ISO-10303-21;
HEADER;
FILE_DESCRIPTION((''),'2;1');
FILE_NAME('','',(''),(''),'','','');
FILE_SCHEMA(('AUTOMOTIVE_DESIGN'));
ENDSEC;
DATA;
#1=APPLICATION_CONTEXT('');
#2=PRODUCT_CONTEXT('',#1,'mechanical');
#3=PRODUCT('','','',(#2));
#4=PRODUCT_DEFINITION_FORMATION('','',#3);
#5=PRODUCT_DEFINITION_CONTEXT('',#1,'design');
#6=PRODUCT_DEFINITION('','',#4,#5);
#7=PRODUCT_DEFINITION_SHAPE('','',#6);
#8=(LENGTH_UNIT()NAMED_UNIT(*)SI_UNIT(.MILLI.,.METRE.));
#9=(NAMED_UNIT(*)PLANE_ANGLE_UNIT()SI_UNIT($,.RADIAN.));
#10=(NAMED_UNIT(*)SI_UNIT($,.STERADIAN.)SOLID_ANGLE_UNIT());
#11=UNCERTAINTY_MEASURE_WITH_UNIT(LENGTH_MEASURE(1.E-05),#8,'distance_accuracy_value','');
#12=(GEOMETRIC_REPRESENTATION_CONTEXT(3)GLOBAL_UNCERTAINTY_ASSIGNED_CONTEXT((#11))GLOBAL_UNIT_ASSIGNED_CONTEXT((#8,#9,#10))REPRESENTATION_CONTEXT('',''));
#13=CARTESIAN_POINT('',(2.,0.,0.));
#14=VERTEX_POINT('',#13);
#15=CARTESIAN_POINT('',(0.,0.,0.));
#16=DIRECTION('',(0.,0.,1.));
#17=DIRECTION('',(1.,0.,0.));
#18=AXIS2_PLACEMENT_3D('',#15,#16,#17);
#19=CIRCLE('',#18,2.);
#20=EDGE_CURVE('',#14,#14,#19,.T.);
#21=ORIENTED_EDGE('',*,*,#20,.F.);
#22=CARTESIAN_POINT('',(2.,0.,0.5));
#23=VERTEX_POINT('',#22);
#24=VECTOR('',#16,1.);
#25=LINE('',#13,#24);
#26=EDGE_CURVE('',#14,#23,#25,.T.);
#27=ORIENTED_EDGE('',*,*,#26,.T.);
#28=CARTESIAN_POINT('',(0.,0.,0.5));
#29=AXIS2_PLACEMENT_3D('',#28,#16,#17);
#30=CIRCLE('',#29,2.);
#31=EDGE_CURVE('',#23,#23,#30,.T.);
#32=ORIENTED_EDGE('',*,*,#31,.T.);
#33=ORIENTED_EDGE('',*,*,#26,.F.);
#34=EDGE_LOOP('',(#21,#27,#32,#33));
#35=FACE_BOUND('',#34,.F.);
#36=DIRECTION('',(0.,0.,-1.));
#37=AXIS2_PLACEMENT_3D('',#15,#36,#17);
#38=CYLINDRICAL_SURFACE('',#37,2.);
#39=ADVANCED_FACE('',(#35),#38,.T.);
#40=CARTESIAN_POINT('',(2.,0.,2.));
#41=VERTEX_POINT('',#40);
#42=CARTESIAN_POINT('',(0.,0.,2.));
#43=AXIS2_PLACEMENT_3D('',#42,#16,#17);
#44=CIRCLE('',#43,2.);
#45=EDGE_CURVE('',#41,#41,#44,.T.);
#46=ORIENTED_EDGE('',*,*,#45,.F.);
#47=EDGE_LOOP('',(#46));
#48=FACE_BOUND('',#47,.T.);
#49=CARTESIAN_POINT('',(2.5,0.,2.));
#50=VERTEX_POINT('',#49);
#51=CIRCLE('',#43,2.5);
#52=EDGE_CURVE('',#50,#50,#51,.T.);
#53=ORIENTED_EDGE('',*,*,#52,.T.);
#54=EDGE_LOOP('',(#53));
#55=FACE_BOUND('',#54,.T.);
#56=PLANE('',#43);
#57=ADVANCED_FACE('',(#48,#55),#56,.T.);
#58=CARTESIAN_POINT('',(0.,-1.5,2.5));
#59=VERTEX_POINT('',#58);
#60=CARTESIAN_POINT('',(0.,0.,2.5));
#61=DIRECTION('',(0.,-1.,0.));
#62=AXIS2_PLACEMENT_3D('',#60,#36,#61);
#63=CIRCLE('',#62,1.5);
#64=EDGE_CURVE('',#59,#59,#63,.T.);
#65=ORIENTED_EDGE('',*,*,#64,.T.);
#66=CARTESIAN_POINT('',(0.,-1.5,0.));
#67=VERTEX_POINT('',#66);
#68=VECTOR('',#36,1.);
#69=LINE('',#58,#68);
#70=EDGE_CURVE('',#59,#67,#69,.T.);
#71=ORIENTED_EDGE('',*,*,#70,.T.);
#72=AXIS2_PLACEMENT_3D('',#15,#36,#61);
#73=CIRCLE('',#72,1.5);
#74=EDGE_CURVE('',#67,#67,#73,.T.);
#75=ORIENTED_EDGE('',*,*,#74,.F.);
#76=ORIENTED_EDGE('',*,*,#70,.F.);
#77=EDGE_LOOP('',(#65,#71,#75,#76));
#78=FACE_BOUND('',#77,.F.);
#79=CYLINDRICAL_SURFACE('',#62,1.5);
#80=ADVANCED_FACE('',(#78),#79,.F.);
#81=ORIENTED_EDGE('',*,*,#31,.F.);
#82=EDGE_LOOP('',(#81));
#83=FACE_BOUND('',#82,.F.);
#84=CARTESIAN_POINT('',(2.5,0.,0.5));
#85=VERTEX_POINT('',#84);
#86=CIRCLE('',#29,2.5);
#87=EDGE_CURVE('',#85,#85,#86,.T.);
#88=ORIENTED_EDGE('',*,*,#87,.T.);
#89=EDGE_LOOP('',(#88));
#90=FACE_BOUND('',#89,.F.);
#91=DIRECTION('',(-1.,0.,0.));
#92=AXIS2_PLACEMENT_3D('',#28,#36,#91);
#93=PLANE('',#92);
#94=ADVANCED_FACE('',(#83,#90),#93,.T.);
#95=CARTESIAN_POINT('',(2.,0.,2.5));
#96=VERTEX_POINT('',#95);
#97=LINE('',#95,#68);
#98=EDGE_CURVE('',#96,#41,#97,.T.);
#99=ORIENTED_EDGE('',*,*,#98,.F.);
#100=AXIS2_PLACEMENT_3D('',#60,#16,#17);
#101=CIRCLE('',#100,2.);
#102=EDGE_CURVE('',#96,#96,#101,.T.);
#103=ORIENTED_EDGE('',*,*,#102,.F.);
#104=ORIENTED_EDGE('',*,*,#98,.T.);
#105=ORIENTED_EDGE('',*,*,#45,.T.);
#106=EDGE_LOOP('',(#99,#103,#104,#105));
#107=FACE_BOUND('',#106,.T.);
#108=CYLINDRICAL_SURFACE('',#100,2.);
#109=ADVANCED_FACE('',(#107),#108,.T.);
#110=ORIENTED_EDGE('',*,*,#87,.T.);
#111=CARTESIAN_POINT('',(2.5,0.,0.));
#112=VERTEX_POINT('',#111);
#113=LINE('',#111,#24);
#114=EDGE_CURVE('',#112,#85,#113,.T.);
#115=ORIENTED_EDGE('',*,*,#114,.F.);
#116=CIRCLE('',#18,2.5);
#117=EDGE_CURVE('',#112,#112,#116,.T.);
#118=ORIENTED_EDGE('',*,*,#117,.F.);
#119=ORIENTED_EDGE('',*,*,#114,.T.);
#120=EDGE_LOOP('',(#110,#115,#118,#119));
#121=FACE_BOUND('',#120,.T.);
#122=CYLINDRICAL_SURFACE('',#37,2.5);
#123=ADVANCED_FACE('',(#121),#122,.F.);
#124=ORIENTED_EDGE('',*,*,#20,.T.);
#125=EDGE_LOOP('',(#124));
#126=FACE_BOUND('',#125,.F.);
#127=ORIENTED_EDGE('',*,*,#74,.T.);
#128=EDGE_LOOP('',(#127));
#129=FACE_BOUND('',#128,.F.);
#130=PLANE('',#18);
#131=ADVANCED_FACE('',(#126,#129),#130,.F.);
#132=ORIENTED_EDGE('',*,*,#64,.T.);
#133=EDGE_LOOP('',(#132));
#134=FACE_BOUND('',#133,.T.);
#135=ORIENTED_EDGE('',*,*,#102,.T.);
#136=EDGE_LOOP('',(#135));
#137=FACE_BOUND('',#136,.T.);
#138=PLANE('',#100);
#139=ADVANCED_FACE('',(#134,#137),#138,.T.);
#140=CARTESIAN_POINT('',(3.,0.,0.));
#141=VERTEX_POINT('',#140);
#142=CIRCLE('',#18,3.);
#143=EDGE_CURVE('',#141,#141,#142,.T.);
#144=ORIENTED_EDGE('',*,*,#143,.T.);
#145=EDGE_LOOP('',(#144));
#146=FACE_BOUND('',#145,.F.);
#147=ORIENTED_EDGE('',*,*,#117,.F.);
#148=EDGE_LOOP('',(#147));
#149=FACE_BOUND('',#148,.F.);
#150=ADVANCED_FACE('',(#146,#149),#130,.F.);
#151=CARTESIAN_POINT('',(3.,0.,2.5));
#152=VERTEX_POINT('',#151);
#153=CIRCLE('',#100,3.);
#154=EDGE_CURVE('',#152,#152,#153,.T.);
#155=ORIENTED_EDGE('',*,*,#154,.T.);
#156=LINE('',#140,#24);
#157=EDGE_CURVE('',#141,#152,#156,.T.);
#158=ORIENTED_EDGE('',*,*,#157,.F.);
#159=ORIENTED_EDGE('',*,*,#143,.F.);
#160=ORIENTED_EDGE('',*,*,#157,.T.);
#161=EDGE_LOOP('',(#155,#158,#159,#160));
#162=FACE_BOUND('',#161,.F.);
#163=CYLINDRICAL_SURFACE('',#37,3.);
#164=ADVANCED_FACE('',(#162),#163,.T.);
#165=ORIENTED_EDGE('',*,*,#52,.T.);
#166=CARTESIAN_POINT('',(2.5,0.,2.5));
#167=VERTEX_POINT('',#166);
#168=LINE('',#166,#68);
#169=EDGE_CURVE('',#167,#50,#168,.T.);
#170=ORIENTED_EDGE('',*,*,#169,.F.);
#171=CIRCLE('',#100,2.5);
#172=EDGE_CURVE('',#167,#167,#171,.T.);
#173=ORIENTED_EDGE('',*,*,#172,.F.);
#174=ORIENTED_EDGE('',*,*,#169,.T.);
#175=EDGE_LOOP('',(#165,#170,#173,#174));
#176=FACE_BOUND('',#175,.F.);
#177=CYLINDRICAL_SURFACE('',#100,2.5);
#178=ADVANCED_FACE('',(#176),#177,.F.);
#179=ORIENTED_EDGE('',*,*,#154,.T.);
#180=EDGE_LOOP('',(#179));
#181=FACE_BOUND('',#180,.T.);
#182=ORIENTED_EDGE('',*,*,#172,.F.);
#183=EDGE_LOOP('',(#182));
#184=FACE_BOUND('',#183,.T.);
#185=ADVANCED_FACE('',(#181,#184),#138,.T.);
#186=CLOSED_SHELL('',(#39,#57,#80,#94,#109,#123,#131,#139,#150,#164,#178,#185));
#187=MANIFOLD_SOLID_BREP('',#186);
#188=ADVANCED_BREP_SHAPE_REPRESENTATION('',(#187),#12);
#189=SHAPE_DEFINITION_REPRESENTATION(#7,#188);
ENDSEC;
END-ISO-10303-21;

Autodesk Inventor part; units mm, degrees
ref_plane "YZ Plane" through (0, 0, 0) normal (1, 0, 0) x (0, 1, 0)
ref_plane "XZ Plane" through (0, 0, 0) normal (0, 1, 0) x (-1, 0, 0)
sketch "Sketch1" plane through (0, 0, 0) normal (0, 0, 1) x (1, 0, 0)
  circle A0 centre (0, 0) radius 3
  dimension "d0" = 6
extrude "Extrusion1" add sketch "Sketch1" along normal blind 2.5
hole "Hole1" at (0, 0, 2.5) direction (0, 0, -1) diameter 3 end through all
sketch "Sketch2" plane through (0, 0, 2.5) normal (0, 0, 1) x (1, 0, 0)
  circle A0 centre (0, 0) radius 2.5
  circle A1 centre (0, 0) radius 2
  dimension "d12" = 5
  dimension "d13" = 4
extrude "Extrusion2" cut sketch "Sketch2" against normal blind 0.5
ref_plane "Work Plane1" through (0, 0, 1.25) normal (0, 0, 1) x (1, 0, 0)
mirror "Mirror1" about plane through (0, 0, 1.25) normal (0, 0, 1) of "Extrusion2"
properties part number "bearing_3x6x2,5" material "Stainless Steel"
